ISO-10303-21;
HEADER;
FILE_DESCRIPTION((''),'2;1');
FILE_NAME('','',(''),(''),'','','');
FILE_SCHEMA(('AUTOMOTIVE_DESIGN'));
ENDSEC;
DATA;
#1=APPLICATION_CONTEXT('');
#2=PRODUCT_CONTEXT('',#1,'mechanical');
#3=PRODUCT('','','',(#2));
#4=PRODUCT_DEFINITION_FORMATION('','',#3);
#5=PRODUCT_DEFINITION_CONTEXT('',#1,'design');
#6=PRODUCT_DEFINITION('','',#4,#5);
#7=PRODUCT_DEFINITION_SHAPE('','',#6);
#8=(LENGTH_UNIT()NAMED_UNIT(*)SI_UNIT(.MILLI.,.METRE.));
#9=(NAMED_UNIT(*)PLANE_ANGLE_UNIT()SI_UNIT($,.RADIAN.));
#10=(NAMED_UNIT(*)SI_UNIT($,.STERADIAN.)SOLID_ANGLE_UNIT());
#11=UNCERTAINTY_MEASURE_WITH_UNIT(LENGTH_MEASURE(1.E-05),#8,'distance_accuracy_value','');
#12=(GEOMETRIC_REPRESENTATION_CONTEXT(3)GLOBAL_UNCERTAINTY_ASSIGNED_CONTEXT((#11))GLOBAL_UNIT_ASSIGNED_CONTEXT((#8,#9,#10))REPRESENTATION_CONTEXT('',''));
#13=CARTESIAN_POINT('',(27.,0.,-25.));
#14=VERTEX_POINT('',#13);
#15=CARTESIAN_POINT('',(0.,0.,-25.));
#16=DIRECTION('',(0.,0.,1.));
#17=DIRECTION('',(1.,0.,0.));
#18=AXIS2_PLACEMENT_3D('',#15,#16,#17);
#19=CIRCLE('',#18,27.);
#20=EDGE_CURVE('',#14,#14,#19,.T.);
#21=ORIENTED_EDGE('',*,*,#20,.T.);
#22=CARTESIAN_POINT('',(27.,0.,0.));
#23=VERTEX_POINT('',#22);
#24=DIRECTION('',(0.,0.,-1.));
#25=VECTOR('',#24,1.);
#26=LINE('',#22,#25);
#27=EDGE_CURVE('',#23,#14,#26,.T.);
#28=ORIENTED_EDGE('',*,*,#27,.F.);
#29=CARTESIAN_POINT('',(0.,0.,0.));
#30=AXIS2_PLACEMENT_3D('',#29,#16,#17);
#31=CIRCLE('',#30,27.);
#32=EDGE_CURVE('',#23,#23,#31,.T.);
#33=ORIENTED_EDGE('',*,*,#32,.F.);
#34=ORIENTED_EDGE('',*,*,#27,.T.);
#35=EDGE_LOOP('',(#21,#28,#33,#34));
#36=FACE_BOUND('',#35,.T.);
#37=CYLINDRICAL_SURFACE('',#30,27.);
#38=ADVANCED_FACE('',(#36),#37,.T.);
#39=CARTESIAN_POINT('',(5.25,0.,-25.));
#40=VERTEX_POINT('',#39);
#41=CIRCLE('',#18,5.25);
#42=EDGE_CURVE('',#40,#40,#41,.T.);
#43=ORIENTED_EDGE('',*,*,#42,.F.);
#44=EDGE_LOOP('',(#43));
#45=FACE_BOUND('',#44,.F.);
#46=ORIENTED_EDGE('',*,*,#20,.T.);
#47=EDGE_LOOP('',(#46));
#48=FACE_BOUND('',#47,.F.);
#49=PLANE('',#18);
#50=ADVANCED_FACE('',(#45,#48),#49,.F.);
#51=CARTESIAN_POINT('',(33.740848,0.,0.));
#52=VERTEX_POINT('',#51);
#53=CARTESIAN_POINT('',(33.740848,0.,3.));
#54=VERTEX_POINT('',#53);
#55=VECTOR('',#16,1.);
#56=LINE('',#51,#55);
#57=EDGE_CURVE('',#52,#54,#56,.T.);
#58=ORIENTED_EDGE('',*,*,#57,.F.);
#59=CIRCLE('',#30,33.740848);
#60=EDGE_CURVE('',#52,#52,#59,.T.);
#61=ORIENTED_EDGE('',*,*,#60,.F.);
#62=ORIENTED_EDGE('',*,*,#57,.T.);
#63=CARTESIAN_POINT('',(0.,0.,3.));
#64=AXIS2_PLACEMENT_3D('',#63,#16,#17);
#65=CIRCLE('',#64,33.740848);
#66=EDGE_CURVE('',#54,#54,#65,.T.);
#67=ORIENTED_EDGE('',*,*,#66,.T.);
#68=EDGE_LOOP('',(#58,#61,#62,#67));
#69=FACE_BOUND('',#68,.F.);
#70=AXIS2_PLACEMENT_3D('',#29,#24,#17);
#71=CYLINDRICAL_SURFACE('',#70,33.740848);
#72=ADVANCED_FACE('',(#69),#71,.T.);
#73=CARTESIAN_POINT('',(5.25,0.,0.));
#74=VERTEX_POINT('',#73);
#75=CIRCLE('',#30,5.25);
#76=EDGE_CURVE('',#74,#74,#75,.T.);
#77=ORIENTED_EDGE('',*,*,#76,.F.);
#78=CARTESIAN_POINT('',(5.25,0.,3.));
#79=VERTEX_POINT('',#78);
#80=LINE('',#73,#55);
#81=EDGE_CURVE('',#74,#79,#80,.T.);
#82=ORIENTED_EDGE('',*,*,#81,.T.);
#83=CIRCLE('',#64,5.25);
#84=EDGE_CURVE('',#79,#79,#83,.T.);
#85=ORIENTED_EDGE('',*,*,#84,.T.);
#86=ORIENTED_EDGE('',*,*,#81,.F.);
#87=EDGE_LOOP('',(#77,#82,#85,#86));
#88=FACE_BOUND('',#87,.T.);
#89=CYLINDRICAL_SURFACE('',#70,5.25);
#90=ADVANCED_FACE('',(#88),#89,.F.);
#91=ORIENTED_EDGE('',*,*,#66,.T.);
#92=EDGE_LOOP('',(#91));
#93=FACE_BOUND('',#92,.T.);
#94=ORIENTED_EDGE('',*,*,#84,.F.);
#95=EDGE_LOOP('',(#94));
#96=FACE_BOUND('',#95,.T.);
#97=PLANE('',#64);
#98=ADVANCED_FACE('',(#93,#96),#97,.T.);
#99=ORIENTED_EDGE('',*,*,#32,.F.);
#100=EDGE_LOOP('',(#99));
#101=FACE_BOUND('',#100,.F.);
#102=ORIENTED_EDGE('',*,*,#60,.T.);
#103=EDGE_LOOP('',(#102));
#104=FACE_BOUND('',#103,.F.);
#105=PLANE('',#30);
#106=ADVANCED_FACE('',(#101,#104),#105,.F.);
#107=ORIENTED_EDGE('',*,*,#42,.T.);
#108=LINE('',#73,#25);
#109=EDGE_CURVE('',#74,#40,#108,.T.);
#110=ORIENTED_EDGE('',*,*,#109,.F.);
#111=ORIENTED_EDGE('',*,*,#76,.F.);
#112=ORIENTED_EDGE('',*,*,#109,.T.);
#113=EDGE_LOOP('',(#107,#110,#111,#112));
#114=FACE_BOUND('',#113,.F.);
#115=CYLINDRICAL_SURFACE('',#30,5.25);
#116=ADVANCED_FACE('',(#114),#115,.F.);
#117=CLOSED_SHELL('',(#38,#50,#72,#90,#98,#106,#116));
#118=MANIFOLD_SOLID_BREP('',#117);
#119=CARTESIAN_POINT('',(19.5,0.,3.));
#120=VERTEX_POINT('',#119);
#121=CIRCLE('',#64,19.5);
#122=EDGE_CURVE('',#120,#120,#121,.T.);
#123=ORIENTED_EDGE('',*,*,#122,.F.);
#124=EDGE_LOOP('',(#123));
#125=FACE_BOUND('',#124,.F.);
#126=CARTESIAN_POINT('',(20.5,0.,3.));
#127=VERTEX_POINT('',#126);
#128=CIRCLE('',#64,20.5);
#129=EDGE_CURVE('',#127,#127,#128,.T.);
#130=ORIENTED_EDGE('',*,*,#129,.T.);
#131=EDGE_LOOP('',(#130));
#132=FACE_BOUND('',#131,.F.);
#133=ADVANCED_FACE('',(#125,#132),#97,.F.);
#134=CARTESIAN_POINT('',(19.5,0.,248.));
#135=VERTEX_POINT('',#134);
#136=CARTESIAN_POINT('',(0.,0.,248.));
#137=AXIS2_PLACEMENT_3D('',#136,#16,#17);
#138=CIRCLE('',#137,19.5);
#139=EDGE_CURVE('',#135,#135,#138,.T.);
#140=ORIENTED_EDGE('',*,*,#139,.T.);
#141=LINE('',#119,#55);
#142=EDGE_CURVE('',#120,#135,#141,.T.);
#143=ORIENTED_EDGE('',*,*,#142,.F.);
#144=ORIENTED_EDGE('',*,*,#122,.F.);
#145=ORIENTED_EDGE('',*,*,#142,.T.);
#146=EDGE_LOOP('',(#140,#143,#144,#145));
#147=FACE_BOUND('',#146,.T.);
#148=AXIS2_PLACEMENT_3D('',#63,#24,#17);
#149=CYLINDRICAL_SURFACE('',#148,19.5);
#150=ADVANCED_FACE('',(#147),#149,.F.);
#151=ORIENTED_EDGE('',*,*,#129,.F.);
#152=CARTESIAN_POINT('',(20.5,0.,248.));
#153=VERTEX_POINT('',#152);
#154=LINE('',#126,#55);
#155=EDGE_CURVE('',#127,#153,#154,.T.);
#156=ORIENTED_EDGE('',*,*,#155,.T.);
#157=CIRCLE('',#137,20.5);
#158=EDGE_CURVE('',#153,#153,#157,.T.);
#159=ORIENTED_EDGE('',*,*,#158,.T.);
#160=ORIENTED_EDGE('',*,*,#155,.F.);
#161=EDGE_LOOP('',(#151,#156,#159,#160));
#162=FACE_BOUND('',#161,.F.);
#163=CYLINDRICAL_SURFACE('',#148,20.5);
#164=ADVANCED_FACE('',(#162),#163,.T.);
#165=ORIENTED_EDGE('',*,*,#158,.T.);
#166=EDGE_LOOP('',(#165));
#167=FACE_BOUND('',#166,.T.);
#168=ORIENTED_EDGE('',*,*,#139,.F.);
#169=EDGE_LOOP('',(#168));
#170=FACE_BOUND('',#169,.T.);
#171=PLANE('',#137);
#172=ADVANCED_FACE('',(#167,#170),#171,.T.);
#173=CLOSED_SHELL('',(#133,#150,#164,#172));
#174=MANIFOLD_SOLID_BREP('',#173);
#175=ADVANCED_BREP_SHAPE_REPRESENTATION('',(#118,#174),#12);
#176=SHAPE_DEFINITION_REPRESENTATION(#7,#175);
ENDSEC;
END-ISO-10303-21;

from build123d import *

# Parameters (mm, degrees)
F0_R     = 33.740848
F0_R_2   = 27
F0_R_3   = 5.25
F1_DEPTH = 3
F2_DEPTH = 25
F3_R     = 20.5
F3_R_2   = 19.5
F4_DEPTH = 245


with BuildPart() as f1:
    # F0 (on Top) → F1 (new body)
    with BuildSketch(Plane.XY):
        Circle(F0_R)
        Circle(F0_R_2, mode=Mode.SUBTRACT)
        Circle(F0_R_2)
        Circle(F0_R_3, mode=Mode.SUBTRACT)
    extrude(amount=F1_DEPTH)

    # F0 (on Top) → F2 (join)
    with BuildSketch(Plane.XY):
        Circle(F0_R_2)
        Circle(F0_R_3, mode=Mode.SUBTRACT)
    extrude(amount=-F2_DEPTH)


with BuildPart() as f4:
    # F3 (on face) → F4 (new body)
    with BuildSketch(Plane.XY.offset(3)):
        Circle(F3_R)
        Circle(F3_R_2, mode=Mode.SUBTRACT)
    extrude(amount=F4_DEPTH)


solid = Compound([f1.part, f4.part])
